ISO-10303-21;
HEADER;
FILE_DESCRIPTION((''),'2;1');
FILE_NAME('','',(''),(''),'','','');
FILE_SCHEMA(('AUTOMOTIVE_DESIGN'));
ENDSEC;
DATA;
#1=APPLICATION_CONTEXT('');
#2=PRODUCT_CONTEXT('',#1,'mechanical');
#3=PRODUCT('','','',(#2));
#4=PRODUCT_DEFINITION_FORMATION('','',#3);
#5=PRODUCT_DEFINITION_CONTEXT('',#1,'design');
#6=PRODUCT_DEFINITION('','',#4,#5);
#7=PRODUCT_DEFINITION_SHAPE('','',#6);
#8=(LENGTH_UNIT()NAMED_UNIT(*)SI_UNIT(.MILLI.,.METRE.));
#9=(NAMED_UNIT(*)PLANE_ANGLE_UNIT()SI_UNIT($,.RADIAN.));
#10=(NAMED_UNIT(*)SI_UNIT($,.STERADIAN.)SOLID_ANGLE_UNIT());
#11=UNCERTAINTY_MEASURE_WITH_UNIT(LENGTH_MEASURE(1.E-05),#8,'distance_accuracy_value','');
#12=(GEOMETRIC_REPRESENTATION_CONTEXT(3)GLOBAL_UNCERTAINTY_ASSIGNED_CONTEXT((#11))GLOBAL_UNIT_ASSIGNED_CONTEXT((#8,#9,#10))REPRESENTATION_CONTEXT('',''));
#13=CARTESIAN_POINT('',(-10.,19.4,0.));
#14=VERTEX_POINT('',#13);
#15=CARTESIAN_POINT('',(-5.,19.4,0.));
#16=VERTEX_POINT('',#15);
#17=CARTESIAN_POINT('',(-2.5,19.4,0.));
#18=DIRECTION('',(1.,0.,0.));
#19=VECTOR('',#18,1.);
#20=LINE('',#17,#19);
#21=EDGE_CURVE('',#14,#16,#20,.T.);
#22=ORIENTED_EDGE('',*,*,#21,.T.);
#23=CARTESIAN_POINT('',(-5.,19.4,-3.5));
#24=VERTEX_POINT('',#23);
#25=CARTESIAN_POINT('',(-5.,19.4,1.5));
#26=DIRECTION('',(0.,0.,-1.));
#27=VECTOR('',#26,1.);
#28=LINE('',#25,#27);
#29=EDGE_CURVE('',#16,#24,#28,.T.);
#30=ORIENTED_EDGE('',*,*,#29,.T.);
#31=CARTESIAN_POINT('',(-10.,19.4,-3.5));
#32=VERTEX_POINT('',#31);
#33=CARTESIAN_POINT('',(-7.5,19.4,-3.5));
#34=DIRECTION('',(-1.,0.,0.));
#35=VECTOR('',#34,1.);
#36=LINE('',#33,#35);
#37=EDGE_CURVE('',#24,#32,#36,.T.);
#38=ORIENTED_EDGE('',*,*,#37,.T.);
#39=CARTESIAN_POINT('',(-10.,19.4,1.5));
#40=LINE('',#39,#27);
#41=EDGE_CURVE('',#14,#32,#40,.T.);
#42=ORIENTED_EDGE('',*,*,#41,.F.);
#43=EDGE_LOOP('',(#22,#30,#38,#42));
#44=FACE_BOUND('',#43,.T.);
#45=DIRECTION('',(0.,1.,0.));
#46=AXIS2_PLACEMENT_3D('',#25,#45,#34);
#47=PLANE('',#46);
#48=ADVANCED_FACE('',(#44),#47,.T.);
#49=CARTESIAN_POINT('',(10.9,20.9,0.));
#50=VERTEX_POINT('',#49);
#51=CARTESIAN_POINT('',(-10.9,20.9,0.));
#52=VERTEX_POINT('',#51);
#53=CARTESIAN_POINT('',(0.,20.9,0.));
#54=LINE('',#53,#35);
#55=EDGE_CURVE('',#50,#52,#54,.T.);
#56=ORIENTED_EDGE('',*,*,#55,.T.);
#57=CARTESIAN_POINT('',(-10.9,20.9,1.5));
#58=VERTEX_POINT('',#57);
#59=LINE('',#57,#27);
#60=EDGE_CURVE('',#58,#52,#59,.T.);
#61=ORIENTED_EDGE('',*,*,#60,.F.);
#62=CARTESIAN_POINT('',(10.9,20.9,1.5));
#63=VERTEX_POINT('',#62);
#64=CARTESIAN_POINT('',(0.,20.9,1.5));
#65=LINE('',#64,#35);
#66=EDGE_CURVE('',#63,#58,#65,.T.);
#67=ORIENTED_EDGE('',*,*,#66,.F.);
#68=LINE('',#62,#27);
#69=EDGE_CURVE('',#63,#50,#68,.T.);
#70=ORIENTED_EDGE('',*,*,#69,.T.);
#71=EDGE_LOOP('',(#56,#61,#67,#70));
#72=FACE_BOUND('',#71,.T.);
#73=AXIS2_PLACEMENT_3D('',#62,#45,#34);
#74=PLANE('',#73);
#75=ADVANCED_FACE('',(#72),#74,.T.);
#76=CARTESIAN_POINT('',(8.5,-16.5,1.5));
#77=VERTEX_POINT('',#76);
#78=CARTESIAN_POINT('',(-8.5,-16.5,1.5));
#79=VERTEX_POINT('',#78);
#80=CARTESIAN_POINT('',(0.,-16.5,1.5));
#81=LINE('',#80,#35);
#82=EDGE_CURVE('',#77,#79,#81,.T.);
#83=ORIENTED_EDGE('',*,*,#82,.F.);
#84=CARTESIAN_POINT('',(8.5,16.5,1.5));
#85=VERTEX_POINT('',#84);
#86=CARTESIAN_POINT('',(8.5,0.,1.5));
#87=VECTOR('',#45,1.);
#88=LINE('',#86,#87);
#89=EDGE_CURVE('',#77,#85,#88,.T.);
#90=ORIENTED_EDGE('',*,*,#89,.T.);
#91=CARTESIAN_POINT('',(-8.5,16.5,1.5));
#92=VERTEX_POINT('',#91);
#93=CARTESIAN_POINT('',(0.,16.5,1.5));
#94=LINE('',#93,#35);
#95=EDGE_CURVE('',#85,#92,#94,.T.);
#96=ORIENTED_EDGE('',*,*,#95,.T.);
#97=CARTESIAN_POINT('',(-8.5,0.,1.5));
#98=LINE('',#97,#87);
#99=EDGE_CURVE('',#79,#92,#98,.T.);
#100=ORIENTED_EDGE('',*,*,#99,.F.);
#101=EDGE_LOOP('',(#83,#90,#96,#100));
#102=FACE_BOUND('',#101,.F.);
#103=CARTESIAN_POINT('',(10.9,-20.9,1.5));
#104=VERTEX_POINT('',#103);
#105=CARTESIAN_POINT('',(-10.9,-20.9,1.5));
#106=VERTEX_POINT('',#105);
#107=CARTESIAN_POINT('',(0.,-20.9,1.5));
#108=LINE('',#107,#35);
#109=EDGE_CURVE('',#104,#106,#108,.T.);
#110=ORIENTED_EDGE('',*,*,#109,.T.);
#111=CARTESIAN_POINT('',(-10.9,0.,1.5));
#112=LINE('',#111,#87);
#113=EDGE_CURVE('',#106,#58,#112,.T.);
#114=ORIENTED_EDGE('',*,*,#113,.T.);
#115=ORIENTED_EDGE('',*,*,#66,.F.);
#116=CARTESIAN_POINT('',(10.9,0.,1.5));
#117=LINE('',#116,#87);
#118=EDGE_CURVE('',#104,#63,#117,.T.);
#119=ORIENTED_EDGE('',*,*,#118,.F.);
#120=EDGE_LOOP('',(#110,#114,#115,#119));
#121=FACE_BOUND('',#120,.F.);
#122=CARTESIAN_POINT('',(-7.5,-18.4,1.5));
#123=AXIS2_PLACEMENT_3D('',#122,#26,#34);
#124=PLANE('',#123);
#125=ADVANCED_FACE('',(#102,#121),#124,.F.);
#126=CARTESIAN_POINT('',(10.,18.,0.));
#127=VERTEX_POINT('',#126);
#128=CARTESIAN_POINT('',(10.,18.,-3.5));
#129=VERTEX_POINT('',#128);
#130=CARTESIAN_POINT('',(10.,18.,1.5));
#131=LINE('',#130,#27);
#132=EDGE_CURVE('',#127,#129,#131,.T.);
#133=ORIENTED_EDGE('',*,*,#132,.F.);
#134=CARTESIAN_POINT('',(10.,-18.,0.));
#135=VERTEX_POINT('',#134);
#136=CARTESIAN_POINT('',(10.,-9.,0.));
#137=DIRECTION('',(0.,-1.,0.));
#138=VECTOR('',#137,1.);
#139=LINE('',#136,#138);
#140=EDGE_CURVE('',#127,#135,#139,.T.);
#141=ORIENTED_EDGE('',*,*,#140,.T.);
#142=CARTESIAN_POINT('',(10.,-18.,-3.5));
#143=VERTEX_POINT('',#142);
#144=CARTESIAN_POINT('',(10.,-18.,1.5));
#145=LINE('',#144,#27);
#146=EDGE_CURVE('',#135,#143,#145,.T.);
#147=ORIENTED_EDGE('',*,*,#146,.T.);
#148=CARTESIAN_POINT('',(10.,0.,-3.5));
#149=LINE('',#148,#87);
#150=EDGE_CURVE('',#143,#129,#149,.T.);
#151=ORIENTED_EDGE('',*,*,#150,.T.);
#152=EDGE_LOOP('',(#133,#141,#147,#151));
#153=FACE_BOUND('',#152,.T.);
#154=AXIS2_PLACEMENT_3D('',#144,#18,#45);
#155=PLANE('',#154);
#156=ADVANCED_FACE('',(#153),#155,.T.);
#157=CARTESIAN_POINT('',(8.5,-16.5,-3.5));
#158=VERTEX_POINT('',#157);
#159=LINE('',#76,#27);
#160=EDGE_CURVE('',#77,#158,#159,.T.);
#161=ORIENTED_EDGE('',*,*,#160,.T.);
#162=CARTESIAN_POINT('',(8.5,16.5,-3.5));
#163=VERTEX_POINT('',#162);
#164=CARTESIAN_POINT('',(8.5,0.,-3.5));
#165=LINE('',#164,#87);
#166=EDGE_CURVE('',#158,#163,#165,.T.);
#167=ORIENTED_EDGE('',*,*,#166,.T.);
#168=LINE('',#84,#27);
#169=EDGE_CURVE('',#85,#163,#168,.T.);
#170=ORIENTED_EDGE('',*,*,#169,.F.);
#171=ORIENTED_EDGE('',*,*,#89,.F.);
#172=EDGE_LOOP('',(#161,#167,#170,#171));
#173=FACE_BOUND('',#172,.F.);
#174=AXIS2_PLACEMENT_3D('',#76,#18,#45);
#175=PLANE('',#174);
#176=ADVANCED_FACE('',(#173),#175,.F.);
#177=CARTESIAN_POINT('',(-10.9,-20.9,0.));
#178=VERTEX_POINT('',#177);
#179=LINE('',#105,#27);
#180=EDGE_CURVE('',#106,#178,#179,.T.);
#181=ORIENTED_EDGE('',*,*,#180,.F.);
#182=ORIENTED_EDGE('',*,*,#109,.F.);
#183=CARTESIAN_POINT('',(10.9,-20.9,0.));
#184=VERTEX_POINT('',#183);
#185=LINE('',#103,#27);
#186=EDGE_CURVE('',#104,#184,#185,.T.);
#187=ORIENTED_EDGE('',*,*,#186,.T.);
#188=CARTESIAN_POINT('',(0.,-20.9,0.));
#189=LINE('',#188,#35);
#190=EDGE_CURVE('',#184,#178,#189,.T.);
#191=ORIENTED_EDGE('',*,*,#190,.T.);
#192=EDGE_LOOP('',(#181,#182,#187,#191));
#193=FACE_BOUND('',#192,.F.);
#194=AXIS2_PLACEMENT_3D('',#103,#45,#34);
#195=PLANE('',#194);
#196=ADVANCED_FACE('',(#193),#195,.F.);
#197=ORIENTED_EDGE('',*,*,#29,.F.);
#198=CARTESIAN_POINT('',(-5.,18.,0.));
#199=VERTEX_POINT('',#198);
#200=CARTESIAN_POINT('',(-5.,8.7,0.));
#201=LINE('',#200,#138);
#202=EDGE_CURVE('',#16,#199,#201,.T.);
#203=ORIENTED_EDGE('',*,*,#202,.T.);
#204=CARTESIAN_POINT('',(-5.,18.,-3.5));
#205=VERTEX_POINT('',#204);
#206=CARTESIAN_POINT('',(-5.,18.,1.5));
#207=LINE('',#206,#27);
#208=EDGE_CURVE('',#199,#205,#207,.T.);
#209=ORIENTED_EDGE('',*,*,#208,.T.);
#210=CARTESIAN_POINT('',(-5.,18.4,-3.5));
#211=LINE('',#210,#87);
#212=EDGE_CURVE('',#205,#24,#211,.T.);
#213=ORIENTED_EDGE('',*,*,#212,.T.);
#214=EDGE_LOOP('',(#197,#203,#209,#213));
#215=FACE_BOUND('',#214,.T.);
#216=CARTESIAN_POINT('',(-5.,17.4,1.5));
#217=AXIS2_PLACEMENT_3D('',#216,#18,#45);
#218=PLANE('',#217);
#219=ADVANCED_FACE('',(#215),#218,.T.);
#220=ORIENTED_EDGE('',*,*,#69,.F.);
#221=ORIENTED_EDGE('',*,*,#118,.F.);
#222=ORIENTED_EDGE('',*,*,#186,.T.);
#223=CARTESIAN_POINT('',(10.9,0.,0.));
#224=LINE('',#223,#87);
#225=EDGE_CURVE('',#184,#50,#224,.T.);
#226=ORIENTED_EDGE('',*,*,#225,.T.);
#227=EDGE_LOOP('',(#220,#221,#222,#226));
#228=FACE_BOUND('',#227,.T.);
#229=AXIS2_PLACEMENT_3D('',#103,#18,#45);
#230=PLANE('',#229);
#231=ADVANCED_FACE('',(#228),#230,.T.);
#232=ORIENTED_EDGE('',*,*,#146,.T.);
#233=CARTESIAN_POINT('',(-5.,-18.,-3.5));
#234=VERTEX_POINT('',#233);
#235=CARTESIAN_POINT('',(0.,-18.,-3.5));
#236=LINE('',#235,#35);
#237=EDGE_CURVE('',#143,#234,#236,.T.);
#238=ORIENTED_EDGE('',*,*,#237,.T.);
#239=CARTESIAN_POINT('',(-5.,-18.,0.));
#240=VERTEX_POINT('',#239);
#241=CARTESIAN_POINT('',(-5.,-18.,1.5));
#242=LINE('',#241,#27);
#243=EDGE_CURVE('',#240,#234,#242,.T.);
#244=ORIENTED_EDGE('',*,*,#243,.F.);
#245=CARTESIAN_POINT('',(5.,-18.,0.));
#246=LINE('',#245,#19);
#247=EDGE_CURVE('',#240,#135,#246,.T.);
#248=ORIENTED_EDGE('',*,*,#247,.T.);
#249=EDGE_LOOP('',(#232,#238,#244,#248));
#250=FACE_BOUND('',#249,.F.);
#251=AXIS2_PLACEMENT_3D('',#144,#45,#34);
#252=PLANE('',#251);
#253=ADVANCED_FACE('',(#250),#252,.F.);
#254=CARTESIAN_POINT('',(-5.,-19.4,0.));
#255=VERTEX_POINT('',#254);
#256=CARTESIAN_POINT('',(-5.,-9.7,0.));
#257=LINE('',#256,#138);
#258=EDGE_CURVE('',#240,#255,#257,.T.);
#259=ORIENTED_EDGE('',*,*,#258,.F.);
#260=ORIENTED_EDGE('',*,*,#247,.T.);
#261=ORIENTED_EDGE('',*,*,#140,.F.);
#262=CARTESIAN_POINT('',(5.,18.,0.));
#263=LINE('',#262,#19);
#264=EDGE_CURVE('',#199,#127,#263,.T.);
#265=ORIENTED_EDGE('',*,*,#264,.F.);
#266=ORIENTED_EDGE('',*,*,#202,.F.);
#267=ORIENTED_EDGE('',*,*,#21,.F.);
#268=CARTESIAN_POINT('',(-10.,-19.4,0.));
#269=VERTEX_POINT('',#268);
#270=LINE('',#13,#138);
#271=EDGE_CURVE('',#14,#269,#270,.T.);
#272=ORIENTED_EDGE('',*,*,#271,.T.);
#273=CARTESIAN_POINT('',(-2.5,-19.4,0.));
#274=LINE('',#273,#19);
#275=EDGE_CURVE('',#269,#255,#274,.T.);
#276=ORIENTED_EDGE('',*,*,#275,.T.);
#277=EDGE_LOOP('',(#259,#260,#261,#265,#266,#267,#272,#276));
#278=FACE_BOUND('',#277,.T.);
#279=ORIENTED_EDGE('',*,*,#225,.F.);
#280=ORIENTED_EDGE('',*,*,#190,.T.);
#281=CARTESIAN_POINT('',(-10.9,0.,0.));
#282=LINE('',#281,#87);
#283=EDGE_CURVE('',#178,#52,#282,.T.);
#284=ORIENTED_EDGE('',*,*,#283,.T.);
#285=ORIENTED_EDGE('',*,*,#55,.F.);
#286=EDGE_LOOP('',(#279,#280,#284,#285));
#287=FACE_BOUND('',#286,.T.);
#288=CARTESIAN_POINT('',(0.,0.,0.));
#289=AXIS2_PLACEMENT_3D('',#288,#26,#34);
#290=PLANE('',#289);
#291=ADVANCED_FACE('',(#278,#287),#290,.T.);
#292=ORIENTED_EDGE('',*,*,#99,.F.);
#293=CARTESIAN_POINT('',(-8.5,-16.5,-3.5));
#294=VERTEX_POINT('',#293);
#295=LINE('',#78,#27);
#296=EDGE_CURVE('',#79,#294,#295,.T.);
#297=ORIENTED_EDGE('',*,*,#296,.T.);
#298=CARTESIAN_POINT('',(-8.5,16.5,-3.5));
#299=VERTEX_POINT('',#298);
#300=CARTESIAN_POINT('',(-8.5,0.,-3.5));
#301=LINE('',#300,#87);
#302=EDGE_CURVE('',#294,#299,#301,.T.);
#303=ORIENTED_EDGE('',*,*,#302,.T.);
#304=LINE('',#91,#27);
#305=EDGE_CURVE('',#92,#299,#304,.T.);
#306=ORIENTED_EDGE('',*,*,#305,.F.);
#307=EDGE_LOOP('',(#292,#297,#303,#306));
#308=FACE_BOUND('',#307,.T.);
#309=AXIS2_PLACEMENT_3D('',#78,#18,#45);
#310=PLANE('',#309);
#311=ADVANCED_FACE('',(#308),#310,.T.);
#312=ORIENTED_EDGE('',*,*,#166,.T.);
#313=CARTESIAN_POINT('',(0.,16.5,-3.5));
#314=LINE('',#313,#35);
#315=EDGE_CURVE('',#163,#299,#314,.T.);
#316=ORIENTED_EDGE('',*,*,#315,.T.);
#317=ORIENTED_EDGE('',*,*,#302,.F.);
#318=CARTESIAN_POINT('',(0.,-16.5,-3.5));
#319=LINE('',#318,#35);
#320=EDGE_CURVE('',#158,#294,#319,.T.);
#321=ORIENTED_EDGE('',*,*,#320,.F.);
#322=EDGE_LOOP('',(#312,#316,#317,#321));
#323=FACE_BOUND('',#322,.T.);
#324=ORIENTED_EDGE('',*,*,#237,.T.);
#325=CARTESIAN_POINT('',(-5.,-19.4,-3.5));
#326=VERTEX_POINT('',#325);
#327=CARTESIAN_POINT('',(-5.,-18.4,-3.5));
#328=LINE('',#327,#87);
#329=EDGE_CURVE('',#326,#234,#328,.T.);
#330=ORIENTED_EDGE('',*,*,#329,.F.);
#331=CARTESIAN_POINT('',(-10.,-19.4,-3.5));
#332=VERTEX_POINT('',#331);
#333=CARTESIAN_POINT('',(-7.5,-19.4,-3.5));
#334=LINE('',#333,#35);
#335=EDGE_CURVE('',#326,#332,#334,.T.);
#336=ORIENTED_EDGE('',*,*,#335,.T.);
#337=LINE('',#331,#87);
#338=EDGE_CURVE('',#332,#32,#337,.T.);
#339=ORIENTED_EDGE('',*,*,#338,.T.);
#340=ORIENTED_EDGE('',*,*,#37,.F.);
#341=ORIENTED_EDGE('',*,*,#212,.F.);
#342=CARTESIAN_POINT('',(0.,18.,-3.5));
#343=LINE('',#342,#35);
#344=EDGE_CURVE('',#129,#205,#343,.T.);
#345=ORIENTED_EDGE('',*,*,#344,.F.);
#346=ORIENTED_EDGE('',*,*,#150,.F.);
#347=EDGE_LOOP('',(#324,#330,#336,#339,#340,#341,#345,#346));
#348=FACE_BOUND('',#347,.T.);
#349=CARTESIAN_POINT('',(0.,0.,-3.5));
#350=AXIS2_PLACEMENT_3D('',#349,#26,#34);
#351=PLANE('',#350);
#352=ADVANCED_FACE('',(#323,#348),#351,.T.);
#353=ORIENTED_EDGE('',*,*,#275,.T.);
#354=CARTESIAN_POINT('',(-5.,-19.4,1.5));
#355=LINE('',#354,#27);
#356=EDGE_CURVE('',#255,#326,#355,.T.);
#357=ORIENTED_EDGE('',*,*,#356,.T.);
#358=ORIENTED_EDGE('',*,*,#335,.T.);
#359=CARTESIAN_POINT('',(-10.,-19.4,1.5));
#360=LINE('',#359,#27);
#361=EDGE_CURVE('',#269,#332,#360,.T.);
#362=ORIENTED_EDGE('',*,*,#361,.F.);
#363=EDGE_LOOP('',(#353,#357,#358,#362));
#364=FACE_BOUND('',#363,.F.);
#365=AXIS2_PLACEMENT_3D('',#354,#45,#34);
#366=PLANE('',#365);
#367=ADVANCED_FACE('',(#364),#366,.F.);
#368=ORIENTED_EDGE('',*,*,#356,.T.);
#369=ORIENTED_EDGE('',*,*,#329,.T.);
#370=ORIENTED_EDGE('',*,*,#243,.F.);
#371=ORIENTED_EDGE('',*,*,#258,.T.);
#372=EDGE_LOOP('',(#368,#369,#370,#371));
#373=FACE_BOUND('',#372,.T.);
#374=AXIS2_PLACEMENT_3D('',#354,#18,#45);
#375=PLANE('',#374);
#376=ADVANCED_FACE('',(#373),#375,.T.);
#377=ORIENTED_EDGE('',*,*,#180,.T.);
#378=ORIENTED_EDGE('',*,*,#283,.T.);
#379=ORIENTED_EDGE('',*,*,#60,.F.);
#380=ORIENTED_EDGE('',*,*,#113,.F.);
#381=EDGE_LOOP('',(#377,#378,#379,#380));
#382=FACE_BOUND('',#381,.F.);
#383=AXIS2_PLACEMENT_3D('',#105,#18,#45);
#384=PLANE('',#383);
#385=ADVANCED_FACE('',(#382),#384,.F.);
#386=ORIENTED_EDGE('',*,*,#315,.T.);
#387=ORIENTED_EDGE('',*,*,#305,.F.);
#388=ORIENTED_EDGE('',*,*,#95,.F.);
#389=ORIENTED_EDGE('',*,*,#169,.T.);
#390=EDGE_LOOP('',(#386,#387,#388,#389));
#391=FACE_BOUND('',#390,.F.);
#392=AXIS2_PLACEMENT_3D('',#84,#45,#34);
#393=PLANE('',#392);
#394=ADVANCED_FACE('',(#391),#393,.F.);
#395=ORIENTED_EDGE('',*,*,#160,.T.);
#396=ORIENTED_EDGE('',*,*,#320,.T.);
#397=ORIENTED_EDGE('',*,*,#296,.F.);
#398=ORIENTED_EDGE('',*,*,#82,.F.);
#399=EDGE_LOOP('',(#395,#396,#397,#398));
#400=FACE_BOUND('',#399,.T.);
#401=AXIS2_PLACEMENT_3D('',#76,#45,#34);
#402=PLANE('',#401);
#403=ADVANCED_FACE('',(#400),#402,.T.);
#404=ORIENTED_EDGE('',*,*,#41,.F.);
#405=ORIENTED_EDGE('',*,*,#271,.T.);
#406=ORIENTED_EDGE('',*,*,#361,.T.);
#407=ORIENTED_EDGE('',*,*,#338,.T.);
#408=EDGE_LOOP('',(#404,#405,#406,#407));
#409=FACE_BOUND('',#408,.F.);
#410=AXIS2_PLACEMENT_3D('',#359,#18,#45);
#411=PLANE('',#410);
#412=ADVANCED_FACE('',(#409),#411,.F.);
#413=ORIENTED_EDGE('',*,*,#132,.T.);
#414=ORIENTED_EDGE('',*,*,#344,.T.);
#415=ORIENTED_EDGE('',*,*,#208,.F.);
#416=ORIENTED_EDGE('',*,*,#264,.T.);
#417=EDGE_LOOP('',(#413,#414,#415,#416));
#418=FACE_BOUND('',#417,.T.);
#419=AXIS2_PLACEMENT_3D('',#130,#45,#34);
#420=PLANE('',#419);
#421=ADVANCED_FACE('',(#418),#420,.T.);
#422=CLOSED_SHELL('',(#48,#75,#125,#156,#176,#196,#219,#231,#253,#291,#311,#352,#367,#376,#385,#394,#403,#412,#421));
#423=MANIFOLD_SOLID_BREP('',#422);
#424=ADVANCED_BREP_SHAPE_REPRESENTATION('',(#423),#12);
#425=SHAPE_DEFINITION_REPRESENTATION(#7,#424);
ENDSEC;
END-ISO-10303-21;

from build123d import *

# Parameters (mm, degrees)
BOX003_W                  = 5
BOX003_H                  = 2
BOX003_DEPTH              = 5
BOX005_W                  = 5
BOX005_H                  = 2
BOX005_DEPTH              = 5
BOX002_W                  = 17
BOX002_H                  = 33
BOX002_DEPTH              = 5
BOX001_W                  = 20
BOX001_H                  = 36
BOX001_DEPTH              = 5
BOX_W                     = 21.8
BOX_H                     = 41.8
BOX_DEPTH                 = 1.5
FUSION004_PLACEMENT_ANGLE = 180


with BuildPart() as cube001:
    # Box003 → Box003 (new body)
    with BuildSketch(Plane(origin=(-10, 17.4, 0), x_dir=(1, 0, 0), z_dir=(0, 0, 1))):
        with Locations((2.5, 1)):
            Rectangle(BOX003_W, BOX003_H)
    extrude(amount=BOX003_DEPTH)


with BuildPart() as fusion003:
    # Box005 → Box005 (new body)
    with BuildSketch(Plane(origin=(-10, -19.4, 0), x_dir=(1, 0, 0), z_dir=(0, 0, 1))):
        with Locations((2.5, 1)):
            Rectangle(BOX005_W, BOX005_H)
    extrude(amount=BOX005_DEPTH)

    # Fusion003: union Cube001
    add(cube001.part)


with BuildPart() as fusion003_1:
    # Fusion003 placement: moved
    add(fusion003.part.moved(Location((15, 0, 0))))


with BuildPart() as cut:
    # Box002 → Box002 (new body)
    with BuildSketch(Plane(origin=(-8.5, -16.5, 0), x_dir=(1, 0, 0), z_dir=(0, 0, 1))):
        with Locations((8.5, 16.5)):
            Rectangle(BOX002_W, BOX002_H)
    extrude(amount=BOX002_DEPTH)


with BuildPart() as cube:
    # Box001 → Box001 (new body)
    with BuildSketch(Plane(origin=(-10, -18, 0), x_dir=(1, 0, 0), z_dir=(0, 0, 1))):
        with Locations((10, 18)):
            Rectangle(BOX001_W, BOX001_H)
    extrude(amount=BOX001_DEPTH)


with BuildPart() as basesensoruppermount:
    # Box → Box (new body)
    with BuildSketch(Plane(origin=(-10.9, -20.9, 0), x_dir=(1, 0, 0), z_dir=(0, 0, 1))):
        with Locations((10.9, 20.9)):
            Rectangle(BOX_W, BOX_H)
    extrude(amount=BOX_DEPTH)

    # Fusion: union Cube
    add(cube.part)

    # Cut: cut cut
    add(cut.part, mode=Mode.SUBTRACT)

    # Fusion004: union Fusion003
    add(fusion003_1.part)


with BuildPart() as basesensoruppermount_1:
    # Fusion004 placement: moved
    add(basesensoruppermount.part.moved(Location((0, 0, 1.5))).rotate(Axis((0, 0, 1.5), (0, 1, 0)), FUSION004_PLACEMENT_ANGLE))


solid = basesensoruppermount_1.part
